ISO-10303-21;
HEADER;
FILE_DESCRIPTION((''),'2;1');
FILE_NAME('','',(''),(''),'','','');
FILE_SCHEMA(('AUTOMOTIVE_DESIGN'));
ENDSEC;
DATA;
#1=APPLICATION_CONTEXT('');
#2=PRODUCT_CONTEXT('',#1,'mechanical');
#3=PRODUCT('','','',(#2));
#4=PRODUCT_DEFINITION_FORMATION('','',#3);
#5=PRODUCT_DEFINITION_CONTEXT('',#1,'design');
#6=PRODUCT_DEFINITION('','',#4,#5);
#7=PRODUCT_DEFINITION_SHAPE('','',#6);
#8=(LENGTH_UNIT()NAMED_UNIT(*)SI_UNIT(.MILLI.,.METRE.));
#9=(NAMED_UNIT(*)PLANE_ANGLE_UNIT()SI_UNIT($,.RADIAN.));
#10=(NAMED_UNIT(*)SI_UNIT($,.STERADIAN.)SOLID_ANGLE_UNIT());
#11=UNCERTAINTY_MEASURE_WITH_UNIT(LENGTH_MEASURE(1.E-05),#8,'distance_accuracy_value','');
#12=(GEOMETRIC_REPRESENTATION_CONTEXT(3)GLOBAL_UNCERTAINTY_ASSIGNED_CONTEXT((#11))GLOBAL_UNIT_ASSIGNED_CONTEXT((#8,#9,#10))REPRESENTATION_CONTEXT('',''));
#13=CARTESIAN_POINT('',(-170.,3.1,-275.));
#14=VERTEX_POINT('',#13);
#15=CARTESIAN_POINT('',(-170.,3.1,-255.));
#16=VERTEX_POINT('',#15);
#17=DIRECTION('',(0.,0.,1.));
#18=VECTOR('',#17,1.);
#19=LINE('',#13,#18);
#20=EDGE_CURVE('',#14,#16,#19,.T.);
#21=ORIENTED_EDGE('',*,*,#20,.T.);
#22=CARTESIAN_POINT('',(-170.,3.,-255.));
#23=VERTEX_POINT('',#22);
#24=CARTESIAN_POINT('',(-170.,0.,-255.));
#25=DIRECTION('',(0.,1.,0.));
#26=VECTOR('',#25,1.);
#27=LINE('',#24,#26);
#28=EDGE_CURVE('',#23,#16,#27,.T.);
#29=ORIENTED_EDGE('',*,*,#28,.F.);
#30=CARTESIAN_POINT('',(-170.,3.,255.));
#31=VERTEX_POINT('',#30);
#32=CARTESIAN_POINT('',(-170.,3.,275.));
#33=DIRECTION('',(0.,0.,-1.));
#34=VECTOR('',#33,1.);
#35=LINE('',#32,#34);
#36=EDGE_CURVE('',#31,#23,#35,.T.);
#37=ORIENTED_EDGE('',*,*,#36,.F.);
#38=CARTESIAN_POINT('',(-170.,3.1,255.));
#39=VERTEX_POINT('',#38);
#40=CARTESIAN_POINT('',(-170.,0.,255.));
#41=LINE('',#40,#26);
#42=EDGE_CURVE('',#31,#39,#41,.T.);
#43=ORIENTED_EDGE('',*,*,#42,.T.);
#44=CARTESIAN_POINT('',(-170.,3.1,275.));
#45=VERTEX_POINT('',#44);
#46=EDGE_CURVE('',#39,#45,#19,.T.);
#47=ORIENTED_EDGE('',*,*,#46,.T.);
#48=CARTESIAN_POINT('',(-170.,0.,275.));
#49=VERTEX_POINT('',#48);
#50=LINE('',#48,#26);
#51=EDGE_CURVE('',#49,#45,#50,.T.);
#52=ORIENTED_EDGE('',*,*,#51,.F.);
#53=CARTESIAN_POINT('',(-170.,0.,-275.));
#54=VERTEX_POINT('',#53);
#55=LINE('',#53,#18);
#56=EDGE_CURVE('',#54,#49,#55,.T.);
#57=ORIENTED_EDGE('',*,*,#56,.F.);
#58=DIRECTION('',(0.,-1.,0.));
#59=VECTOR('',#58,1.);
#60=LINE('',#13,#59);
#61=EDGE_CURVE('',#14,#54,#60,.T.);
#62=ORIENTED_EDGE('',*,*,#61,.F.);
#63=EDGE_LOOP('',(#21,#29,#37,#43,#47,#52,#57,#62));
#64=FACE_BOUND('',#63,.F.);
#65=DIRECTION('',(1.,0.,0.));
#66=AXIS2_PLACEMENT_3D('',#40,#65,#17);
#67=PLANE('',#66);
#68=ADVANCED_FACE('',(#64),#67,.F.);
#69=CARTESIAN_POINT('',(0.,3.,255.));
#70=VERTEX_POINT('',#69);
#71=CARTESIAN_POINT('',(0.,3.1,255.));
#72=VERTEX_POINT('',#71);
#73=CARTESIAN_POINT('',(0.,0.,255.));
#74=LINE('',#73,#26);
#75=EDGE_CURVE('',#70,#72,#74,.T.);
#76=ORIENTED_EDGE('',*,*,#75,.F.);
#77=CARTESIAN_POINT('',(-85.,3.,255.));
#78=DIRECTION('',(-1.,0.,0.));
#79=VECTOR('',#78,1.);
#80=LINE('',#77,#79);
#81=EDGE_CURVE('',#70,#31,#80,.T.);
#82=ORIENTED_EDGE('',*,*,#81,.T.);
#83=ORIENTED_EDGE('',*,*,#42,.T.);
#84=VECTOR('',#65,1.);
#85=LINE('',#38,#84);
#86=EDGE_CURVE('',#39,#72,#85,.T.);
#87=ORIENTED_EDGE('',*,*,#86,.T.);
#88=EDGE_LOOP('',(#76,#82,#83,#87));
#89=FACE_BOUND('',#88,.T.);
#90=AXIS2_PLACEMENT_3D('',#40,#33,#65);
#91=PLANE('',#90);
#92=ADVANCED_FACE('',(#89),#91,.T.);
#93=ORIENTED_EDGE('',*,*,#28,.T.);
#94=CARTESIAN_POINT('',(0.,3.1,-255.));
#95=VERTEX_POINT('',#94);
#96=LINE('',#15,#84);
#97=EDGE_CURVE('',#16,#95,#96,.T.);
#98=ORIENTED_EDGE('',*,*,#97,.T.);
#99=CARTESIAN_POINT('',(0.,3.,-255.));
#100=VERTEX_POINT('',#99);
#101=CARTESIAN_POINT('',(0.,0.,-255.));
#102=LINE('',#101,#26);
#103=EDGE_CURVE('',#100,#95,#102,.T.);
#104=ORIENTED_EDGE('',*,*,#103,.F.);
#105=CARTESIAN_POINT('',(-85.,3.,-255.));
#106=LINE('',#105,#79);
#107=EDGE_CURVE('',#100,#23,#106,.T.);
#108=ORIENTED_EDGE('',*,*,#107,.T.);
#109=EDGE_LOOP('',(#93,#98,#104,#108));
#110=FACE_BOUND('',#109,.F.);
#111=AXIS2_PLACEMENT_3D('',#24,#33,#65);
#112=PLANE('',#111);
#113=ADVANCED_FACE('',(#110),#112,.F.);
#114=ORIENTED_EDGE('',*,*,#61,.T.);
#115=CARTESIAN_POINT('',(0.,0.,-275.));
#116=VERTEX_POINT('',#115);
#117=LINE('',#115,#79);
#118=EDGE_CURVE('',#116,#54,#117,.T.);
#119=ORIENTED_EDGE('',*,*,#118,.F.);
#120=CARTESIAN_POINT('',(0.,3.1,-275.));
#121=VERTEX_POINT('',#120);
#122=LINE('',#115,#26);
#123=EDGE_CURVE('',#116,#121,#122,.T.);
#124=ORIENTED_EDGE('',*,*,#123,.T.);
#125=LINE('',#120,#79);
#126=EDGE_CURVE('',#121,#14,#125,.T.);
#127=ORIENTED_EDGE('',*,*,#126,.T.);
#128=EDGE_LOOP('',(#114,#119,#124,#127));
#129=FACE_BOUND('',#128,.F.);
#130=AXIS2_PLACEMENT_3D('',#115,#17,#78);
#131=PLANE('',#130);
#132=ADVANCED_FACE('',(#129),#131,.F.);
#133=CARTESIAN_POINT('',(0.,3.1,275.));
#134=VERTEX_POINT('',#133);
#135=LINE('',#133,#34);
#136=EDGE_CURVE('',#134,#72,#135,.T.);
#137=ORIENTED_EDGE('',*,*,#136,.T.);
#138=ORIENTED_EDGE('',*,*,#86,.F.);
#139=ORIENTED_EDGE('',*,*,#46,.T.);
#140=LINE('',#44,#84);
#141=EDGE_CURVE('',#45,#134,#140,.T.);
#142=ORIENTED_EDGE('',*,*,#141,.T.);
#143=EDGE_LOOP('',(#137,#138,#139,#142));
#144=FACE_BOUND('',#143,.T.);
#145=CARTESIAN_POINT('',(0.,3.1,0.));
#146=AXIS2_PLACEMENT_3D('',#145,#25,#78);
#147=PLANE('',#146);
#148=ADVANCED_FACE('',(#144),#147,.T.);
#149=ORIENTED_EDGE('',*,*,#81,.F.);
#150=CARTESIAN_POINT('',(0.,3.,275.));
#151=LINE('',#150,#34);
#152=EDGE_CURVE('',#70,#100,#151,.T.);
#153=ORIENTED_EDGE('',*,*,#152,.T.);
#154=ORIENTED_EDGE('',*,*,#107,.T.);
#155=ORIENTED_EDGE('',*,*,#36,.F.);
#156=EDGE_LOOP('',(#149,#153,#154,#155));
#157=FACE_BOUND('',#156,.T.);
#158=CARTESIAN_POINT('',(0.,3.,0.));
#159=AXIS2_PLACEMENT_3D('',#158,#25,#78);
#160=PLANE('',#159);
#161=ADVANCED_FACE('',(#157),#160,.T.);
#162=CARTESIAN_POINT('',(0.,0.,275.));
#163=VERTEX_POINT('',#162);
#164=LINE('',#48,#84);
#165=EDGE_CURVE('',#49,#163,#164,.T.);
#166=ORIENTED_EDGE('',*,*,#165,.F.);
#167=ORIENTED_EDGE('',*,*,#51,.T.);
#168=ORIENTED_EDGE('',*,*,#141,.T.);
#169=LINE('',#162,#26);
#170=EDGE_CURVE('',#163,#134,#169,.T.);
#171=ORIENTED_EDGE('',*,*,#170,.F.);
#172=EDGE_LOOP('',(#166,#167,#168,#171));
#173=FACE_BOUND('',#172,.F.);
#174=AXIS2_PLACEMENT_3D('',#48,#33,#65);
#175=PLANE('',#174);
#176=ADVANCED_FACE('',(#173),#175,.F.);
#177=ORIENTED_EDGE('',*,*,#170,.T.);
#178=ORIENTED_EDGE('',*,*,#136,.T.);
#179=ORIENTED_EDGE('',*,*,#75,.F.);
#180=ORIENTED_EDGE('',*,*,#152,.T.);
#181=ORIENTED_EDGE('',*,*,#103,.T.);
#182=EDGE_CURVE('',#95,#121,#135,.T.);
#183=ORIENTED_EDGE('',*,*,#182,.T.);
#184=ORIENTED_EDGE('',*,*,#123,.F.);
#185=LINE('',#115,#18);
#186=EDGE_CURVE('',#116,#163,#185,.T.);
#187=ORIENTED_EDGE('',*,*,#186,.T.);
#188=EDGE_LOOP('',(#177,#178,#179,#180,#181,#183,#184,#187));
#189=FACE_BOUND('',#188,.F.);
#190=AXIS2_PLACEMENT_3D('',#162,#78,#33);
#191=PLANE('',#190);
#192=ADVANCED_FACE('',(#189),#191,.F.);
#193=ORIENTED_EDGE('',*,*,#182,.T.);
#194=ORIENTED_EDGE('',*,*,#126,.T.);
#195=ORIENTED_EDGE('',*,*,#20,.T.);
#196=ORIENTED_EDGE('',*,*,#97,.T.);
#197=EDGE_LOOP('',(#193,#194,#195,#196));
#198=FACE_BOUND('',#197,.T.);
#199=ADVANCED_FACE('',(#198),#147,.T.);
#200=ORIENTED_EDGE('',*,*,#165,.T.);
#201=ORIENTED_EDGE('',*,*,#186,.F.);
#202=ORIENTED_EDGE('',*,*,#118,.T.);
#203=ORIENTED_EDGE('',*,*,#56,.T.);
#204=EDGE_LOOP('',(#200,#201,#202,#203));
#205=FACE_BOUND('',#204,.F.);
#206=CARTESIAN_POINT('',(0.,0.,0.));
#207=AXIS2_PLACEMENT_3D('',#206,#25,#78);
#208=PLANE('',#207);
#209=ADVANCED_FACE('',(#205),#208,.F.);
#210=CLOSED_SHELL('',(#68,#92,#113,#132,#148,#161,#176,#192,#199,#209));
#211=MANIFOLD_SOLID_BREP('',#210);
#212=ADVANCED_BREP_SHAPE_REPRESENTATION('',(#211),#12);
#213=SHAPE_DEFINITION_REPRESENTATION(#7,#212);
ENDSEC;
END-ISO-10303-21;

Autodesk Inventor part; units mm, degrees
ref_plane "YZ Plane" through (0, 0, 0) normal (1, 0, 0) x (0, 1, 0)
ref_plane "XZ Plane" through (0, 0, 0) normal (0, 1, 0) x (-1, 0, 0)
ref_plane "XY Plane" through (0, 0, 0) normal (0, 0, 1) x (1, 0, 0)
sketch "Sketch1" plane through (0, 0, 0) normal (0, 1, 0) x (-1, 0, 0)
  line L0 (170, 275) -> (0, 275)
  line L1 (0, 275) -> (0, -275)
  line L2 (0, -275) -> (170, -275)
  line L3 (170, -275) -> (170, 275)
  line L4 (170, 255) -> (0, 255)
  line L5 (170, -255) -> (0, -255)
  point P0 (0, 0)
  point P1 (0, 0)
  dimension "d0" = 170
  dimension "d1" = 550
  dimension "d4" = 20
  dimension "d5" = 20
extrude "Extrusion1" add sketch "Sketch1" along normal blind 3
extrude "Extrusion2" add sketch "Sketch1" along normal blind 3.1 contours L3 L4 L1 L0 | L3 L2 L1 L5
equation "\"d1\" = track_width"
equation "\"d4\" = curb_width"
equation "\"d5\" = curb_width"
equation "\"d2\" = track_height"
equation "\"d6\" = track_height + curb_height"
equation "\"track_width\" = 550"
equation "\"curb_width\" = 20"
equation "\"track_height\" = 3"
equation "\"curb_height\" = 0.1"
properties part number "intersection_extension"
